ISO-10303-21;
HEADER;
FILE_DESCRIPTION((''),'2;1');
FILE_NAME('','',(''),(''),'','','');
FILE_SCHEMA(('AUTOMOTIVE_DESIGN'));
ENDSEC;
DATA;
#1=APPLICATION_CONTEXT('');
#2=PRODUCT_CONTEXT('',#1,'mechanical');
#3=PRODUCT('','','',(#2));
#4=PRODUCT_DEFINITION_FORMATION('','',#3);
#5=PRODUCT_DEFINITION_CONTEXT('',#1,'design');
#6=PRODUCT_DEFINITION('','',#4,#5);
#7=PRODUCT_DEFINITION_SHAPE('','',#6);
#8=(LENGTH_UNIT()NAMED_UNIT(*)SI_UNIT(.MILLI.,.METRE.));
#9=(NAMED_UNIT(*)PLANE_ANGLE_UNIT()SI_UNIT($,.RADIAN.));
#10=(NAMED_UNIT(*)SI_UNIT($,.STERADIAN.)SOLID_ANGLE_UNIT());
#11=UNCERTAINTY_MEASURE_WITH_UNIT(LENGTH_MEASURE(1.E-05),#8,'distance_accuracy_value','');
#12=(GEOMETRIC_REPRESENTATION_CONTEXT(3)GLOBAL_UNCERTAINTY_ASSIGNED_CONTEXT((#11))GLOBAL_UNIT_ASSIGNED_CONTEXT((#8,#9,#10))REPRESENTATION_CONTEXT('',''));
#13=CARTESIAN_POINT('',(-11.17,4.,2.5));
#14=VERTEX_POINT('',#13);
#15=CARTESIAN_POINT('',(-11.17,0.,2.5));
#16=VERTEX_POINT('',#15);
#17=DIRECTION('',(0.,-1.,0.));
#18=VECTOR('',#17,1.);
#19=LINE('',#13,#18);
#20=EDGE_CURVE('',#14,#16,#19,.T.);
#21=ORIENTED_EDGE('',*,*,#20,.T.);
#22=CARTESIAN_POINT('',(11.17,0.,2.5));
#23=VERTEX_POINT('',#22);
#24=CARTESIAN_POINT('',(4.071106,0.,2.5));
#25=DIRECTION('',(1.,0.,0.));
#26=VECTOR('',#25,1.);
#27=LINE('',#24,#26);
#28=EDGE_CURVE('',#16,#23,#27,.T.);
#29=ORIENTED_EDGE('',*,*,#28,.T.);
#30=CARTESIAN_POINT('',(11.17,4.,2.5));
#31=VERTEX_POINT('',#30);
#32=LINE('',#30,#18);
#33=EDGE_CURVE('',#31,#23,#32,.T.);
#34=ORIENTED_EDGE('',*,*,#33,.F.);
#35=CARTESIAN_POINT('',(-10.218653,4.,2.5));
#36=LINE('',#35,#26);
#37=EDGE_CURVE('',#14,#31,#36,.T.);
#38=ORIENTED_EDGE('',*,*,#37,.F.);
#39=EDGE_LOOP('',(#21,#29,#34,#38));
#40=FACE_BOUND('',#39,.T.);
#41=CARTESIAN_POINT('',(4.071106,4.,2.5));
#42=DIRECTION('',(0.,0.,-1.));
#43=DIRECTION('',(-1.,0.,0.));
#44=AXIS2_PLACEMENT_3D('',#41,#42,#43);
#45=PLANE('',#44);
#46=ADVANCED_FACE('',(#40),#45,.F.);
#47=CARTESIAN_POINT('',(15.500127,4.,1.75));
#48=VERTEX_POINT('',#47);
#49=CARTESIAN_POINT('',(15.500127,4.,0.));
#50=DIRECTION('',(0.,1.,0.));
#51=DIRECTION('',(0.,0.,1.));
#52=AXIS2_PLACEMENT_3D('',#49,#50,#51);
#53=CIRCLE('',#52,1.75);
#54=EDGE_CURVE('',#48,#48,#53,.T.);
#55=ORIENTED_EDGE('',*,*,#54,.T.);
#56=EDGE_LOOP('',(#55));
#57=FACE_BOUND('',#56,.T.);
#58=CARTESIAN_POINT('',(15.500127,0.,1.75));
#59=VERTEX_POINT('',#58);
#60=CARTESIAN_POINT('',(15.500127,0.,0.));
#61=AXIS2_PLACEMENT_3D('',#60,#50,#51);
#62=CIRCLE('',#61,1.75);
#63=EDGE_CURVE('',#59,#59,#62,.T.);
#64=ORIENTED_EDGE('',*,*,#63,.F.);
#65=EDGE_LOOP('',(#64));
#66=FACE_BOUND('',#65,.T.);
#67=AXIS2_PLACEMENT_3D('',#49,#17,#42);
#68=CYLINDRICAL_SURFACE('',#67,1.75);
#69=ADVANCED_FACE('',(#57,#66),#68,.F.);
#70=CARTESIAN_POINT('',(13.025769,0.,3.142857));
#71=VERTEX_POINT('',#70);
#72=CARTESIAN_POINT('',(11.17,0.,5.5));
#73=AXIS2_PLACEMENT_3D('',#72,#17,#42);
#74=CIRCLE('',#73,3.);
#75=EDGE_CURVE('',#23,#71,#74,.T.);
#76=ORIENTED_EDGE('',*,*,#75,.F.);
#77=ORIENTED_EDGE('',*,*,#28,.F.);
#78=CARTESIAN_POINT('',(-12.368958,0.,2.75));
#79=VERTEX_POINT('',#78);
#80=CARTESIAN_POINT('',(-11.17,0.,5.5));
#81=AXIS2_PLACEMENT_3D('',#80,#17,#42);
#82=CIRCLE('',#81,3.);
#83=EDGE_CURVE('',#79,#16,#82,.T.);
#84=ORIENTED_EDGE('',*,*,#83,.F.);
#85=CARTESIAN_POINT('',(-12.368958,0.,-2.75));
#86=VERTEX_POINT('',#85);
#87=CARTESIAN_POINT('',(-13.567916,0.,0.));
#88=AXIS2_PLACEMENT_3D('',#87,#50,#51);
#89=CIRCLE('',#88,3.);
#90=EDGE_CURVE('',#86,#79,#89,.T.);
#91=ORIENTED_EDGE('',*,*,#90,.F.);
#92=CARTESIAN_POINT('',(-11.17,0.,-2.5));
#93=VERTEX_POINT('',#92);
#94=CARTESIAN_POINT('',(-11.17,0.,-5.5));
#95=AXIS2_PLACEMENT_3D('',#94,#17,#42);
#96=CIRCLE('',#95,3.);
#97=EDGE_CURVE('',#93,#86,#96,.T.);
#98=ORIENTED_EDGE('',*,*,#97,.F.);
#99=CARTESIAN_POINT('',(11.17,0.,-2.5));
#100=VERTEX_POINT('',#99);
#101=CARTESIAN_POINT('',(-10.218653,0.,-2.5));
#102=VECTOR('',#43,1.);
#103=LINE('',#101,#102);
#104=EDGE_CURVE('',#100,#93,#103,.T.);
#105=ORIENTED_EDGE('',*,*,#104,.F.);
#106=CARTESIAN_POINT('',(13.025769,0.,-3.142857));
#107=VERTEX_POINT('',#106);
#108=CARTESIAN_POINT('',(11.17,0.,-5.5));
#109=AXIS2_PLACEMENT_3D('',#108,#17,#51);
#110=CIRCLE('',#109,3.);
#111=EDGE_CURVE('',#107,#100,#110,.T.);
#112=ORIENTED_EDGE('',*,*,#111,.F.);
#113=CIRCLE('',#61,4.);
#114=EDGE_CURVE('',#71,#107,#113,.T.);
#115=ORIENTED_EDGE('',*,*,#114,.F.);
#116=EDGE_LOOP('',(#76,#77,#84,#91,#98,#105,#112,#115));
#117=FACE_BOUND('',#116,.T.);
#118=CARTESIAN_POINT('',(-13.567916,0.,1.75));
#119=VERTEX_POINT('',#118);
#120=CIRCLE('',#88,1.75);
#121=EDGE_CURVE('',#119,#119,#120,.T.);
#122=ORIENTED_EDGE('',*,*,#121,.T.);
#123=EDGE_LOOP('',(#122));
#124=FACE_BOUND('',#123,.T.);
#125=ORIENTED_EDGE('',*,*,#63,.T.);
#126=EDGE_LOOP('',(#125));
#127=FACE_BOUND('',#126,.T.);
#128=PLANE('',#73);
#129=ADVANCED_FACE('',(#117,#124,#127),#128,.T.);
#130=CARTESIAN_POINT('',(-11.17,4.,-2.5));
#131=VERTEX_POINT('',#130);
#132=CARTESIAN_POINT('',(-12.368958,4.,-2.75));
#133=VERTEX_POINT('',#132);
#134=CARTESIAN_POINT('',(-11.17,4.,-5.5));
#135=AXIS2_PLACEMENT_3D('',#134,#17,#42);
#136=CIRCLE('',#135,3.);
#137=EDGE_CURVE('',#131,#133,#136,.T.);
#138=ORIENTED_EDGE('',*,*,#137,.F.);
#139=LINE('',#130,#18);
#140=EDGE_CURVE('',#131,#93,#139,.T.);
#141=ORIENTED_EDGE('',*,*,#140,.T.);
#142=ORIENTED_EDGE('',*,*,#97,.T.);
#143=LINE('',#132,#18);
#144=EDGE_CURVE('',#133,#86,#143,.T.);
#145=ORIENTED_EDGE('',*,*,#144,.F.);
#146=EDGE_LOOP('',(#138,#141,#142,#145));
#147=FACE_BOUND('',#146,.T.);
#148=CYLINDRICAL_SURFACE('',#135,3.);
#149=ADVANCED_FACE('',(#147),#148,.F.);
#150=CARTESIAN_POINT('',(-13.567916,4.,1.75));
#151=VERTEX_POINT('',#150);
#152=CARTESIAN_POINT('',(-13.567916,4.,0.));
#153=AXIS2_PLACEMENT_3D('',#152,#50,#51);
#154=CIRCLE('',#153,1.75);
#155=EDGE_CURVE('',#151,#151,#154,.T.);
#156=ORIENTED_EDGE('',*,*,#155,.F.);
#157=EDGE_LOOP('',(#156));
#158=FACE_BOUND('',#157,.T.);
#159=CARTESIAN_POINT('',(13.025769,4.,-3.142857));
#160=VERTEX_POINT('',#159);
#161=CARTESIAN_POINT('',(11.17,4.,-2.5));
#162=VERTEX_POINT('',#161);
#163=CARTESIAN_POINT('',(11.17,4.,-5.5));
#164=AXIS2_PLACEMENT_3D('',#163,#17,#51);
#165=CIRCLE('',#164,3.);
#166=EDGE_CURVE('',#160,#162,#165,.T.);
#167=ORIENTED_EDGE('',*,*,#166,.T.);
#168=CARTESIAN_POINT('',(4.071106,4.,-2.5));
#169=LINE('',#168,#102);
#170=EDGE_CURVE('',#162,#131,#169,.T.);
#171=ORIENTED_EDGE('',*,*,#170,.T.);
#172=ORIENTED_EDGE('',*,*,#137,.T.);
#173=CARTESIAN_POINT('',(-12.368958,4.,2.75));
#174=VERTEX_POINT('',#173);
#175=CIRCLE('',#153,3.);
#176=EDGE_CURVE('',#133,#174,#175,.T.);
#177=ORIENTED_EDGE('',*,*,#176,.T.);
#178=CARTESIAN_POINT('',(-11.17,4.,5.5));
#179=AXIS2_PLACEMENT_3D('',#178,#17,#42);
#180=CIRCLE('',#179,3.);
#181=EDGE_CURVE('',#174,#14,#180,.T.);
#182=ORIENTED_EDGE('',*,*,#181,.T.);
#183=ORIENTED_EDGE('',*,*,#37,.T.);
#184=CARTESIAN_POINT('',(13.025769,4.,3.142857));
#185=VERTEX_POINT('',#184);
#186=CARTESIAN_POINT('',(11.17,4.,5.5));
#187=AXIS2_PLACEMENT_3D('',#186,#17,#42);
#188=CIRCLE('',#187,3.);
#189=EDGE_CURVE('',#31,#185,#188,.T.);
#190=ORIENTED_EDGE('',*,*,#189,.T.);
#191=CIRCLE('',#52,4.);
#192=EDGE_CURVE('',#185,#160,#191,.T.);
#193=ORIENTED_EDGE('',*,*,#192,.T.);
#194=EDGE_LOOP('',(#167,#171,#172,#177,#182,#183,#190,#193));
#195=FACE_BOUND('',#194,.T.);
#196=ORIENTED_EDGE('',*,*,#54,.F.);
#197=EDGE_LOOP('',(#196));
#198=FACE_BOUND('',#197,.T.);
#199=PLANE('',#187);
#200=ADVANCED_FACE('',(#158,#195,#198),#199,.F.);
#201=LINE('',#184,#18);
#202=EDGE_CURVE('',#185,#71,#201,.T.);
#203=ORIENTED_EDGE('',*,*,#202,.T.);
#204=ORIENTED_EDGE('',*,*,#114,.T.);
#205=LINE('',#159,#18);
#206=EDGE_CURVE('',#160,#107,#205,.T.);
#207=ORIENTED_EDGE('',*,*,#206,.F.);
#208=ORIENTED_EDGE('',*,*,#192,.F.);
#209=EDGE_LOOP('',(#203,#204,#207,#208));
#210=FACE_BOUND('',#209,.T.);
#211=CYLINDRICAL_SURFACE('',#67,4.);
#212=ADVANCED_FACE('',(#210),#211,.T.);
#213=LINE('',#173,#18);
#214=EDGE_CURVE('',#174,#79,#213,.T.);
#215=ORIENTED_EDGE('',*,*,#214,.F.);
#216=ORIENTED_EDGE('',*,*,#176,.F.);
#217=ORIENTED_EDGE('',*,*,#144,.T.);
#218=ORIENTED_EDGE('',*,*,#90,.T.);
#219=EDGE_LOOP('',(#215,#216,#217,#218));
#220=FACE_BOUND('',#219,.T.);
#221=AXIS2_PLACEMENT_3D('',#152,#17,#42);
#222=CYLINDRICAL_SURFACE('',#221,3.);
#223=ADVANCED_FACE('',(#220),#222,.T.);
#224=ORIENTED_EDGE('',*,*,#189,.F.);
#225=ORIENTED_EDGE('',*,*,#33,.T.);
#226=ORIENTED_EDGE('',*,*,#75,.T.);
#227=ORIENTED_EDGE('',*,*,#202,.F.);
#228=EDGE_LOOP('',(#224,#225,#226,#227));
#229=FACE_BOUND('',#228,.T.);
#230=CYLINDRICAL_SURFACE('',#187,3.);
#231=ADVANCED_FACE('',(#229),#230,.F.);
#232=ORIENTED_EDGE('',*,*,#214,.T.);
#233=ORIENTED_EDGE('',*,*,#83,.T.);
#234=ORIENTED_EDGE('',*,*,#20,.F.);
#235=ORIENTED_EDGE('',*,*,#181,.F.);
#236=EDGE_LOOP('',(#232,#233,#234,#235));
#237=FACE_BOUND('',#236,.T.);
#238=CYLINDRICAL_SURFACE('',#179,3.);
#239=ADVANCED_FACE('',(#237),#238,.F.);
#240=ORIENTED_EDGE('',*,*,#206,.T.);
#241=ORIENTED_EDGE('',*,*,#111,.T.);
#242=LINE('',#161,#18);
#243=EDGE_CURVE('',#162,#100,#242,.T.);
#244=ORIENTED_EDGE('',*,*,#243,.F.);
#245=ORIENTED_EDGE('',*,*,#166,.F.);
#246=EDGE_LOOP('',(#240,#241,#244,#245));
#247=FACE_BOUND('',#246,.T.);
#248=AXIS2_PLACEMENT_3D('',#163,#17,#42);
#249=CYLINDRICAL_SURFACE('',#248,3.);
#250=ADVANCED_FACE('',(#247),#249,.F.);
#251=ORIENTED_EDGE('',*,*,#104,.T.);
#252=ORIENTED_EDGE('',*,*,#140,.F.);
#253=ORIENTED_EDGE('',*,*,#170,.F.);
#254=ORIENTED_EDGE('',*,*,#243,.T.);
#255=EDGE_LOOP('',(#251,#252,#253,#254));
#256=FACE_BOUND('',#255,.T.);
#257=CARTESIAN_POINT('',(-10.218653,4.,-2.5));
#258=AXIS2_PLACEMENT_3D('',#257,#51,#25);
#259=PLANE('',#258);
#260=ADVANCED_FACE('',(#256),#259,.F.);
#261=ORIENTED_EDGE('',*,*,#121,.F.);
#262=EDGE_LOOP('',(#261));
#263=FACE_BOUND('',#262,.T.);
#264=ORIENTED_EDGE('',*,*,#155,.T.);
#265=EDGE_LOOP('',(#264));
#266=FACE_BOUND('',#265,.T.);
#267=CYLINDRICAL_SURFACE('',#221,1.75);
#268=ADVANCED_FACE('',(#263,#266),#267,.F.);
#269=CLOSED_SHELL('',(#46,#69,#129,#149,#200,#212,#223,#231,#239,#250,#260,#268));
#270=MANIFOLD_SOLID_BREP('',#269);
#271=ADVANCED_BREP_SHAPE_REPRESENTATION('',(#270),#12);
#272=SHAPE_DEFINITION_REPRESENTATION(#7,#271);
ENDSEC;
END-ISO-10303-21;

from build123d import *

# Parameters (mm, degrees)
IZIM1_R                     = 1.75
Y_KSEKLIK_EKSTR_ZYON1_DEPTH = 4


with BuildPart() as part:
    # Çizim1 → Yükseklik-Ekstrüzyon1 (new body)
    with BuildSketch(Plane(origin=(0, 0, 0), x_dir=(1, 0, 0), z_dir=(0, 1, 0))):
        with BuildLine():
            Line((-10.218653411, -2.5), (4.071106479, -2.5))
            Line((4.071106479, -2.5), (11.17, -2.5))
            ThreePointArc((11.17, -2.5), (12.151980506, -2.665266452), (13.025768722, -3.142857143))
            ThreePointArc((13.025768722, -3.142857143), (19.500127019, 0), (13.025768722, 3.142857143))
            ThreePointArc((13.025768722, 3.142857143), (12.151980506, 2.665266452), (11.17, 2.5))
            Line((11.17, 2.5), (4.071106479, 2.5))
            Line((4.071106479, 2.5), (-10.218653411, 2.5))
            Line((-10.218653411, 2.5), (-11.17, 2.5))
            ThreePointArc((-11.17, 2.5), (-11.782372436, 2.563164969), (-12.368957881, 2.75))
            ThreePointArc((-12.368957881, 2.75), (-16.567915762, 0), (-12.368957881, -2.75))
            ThreePointArc((-12.368957881, -2.75), (-11.782372436, -2.563164969), (-11.17, -2.5))
            Line((-11.17, -2.5), (-10.218653411, -2.5))
        make_face()
        with Locations((-13.567915762, 0)):
            Circle(IZIM1_R, mode=Mode.SUBTRACT)
        with Locations((15.500127019, 0)):
            Circle(IZIM1_R, mode=Mode.SUBTRACT)
    extrude(amount=Y_KSEKLIK_EKSTR_ZYON1_DEPTH)


solid = part.part
